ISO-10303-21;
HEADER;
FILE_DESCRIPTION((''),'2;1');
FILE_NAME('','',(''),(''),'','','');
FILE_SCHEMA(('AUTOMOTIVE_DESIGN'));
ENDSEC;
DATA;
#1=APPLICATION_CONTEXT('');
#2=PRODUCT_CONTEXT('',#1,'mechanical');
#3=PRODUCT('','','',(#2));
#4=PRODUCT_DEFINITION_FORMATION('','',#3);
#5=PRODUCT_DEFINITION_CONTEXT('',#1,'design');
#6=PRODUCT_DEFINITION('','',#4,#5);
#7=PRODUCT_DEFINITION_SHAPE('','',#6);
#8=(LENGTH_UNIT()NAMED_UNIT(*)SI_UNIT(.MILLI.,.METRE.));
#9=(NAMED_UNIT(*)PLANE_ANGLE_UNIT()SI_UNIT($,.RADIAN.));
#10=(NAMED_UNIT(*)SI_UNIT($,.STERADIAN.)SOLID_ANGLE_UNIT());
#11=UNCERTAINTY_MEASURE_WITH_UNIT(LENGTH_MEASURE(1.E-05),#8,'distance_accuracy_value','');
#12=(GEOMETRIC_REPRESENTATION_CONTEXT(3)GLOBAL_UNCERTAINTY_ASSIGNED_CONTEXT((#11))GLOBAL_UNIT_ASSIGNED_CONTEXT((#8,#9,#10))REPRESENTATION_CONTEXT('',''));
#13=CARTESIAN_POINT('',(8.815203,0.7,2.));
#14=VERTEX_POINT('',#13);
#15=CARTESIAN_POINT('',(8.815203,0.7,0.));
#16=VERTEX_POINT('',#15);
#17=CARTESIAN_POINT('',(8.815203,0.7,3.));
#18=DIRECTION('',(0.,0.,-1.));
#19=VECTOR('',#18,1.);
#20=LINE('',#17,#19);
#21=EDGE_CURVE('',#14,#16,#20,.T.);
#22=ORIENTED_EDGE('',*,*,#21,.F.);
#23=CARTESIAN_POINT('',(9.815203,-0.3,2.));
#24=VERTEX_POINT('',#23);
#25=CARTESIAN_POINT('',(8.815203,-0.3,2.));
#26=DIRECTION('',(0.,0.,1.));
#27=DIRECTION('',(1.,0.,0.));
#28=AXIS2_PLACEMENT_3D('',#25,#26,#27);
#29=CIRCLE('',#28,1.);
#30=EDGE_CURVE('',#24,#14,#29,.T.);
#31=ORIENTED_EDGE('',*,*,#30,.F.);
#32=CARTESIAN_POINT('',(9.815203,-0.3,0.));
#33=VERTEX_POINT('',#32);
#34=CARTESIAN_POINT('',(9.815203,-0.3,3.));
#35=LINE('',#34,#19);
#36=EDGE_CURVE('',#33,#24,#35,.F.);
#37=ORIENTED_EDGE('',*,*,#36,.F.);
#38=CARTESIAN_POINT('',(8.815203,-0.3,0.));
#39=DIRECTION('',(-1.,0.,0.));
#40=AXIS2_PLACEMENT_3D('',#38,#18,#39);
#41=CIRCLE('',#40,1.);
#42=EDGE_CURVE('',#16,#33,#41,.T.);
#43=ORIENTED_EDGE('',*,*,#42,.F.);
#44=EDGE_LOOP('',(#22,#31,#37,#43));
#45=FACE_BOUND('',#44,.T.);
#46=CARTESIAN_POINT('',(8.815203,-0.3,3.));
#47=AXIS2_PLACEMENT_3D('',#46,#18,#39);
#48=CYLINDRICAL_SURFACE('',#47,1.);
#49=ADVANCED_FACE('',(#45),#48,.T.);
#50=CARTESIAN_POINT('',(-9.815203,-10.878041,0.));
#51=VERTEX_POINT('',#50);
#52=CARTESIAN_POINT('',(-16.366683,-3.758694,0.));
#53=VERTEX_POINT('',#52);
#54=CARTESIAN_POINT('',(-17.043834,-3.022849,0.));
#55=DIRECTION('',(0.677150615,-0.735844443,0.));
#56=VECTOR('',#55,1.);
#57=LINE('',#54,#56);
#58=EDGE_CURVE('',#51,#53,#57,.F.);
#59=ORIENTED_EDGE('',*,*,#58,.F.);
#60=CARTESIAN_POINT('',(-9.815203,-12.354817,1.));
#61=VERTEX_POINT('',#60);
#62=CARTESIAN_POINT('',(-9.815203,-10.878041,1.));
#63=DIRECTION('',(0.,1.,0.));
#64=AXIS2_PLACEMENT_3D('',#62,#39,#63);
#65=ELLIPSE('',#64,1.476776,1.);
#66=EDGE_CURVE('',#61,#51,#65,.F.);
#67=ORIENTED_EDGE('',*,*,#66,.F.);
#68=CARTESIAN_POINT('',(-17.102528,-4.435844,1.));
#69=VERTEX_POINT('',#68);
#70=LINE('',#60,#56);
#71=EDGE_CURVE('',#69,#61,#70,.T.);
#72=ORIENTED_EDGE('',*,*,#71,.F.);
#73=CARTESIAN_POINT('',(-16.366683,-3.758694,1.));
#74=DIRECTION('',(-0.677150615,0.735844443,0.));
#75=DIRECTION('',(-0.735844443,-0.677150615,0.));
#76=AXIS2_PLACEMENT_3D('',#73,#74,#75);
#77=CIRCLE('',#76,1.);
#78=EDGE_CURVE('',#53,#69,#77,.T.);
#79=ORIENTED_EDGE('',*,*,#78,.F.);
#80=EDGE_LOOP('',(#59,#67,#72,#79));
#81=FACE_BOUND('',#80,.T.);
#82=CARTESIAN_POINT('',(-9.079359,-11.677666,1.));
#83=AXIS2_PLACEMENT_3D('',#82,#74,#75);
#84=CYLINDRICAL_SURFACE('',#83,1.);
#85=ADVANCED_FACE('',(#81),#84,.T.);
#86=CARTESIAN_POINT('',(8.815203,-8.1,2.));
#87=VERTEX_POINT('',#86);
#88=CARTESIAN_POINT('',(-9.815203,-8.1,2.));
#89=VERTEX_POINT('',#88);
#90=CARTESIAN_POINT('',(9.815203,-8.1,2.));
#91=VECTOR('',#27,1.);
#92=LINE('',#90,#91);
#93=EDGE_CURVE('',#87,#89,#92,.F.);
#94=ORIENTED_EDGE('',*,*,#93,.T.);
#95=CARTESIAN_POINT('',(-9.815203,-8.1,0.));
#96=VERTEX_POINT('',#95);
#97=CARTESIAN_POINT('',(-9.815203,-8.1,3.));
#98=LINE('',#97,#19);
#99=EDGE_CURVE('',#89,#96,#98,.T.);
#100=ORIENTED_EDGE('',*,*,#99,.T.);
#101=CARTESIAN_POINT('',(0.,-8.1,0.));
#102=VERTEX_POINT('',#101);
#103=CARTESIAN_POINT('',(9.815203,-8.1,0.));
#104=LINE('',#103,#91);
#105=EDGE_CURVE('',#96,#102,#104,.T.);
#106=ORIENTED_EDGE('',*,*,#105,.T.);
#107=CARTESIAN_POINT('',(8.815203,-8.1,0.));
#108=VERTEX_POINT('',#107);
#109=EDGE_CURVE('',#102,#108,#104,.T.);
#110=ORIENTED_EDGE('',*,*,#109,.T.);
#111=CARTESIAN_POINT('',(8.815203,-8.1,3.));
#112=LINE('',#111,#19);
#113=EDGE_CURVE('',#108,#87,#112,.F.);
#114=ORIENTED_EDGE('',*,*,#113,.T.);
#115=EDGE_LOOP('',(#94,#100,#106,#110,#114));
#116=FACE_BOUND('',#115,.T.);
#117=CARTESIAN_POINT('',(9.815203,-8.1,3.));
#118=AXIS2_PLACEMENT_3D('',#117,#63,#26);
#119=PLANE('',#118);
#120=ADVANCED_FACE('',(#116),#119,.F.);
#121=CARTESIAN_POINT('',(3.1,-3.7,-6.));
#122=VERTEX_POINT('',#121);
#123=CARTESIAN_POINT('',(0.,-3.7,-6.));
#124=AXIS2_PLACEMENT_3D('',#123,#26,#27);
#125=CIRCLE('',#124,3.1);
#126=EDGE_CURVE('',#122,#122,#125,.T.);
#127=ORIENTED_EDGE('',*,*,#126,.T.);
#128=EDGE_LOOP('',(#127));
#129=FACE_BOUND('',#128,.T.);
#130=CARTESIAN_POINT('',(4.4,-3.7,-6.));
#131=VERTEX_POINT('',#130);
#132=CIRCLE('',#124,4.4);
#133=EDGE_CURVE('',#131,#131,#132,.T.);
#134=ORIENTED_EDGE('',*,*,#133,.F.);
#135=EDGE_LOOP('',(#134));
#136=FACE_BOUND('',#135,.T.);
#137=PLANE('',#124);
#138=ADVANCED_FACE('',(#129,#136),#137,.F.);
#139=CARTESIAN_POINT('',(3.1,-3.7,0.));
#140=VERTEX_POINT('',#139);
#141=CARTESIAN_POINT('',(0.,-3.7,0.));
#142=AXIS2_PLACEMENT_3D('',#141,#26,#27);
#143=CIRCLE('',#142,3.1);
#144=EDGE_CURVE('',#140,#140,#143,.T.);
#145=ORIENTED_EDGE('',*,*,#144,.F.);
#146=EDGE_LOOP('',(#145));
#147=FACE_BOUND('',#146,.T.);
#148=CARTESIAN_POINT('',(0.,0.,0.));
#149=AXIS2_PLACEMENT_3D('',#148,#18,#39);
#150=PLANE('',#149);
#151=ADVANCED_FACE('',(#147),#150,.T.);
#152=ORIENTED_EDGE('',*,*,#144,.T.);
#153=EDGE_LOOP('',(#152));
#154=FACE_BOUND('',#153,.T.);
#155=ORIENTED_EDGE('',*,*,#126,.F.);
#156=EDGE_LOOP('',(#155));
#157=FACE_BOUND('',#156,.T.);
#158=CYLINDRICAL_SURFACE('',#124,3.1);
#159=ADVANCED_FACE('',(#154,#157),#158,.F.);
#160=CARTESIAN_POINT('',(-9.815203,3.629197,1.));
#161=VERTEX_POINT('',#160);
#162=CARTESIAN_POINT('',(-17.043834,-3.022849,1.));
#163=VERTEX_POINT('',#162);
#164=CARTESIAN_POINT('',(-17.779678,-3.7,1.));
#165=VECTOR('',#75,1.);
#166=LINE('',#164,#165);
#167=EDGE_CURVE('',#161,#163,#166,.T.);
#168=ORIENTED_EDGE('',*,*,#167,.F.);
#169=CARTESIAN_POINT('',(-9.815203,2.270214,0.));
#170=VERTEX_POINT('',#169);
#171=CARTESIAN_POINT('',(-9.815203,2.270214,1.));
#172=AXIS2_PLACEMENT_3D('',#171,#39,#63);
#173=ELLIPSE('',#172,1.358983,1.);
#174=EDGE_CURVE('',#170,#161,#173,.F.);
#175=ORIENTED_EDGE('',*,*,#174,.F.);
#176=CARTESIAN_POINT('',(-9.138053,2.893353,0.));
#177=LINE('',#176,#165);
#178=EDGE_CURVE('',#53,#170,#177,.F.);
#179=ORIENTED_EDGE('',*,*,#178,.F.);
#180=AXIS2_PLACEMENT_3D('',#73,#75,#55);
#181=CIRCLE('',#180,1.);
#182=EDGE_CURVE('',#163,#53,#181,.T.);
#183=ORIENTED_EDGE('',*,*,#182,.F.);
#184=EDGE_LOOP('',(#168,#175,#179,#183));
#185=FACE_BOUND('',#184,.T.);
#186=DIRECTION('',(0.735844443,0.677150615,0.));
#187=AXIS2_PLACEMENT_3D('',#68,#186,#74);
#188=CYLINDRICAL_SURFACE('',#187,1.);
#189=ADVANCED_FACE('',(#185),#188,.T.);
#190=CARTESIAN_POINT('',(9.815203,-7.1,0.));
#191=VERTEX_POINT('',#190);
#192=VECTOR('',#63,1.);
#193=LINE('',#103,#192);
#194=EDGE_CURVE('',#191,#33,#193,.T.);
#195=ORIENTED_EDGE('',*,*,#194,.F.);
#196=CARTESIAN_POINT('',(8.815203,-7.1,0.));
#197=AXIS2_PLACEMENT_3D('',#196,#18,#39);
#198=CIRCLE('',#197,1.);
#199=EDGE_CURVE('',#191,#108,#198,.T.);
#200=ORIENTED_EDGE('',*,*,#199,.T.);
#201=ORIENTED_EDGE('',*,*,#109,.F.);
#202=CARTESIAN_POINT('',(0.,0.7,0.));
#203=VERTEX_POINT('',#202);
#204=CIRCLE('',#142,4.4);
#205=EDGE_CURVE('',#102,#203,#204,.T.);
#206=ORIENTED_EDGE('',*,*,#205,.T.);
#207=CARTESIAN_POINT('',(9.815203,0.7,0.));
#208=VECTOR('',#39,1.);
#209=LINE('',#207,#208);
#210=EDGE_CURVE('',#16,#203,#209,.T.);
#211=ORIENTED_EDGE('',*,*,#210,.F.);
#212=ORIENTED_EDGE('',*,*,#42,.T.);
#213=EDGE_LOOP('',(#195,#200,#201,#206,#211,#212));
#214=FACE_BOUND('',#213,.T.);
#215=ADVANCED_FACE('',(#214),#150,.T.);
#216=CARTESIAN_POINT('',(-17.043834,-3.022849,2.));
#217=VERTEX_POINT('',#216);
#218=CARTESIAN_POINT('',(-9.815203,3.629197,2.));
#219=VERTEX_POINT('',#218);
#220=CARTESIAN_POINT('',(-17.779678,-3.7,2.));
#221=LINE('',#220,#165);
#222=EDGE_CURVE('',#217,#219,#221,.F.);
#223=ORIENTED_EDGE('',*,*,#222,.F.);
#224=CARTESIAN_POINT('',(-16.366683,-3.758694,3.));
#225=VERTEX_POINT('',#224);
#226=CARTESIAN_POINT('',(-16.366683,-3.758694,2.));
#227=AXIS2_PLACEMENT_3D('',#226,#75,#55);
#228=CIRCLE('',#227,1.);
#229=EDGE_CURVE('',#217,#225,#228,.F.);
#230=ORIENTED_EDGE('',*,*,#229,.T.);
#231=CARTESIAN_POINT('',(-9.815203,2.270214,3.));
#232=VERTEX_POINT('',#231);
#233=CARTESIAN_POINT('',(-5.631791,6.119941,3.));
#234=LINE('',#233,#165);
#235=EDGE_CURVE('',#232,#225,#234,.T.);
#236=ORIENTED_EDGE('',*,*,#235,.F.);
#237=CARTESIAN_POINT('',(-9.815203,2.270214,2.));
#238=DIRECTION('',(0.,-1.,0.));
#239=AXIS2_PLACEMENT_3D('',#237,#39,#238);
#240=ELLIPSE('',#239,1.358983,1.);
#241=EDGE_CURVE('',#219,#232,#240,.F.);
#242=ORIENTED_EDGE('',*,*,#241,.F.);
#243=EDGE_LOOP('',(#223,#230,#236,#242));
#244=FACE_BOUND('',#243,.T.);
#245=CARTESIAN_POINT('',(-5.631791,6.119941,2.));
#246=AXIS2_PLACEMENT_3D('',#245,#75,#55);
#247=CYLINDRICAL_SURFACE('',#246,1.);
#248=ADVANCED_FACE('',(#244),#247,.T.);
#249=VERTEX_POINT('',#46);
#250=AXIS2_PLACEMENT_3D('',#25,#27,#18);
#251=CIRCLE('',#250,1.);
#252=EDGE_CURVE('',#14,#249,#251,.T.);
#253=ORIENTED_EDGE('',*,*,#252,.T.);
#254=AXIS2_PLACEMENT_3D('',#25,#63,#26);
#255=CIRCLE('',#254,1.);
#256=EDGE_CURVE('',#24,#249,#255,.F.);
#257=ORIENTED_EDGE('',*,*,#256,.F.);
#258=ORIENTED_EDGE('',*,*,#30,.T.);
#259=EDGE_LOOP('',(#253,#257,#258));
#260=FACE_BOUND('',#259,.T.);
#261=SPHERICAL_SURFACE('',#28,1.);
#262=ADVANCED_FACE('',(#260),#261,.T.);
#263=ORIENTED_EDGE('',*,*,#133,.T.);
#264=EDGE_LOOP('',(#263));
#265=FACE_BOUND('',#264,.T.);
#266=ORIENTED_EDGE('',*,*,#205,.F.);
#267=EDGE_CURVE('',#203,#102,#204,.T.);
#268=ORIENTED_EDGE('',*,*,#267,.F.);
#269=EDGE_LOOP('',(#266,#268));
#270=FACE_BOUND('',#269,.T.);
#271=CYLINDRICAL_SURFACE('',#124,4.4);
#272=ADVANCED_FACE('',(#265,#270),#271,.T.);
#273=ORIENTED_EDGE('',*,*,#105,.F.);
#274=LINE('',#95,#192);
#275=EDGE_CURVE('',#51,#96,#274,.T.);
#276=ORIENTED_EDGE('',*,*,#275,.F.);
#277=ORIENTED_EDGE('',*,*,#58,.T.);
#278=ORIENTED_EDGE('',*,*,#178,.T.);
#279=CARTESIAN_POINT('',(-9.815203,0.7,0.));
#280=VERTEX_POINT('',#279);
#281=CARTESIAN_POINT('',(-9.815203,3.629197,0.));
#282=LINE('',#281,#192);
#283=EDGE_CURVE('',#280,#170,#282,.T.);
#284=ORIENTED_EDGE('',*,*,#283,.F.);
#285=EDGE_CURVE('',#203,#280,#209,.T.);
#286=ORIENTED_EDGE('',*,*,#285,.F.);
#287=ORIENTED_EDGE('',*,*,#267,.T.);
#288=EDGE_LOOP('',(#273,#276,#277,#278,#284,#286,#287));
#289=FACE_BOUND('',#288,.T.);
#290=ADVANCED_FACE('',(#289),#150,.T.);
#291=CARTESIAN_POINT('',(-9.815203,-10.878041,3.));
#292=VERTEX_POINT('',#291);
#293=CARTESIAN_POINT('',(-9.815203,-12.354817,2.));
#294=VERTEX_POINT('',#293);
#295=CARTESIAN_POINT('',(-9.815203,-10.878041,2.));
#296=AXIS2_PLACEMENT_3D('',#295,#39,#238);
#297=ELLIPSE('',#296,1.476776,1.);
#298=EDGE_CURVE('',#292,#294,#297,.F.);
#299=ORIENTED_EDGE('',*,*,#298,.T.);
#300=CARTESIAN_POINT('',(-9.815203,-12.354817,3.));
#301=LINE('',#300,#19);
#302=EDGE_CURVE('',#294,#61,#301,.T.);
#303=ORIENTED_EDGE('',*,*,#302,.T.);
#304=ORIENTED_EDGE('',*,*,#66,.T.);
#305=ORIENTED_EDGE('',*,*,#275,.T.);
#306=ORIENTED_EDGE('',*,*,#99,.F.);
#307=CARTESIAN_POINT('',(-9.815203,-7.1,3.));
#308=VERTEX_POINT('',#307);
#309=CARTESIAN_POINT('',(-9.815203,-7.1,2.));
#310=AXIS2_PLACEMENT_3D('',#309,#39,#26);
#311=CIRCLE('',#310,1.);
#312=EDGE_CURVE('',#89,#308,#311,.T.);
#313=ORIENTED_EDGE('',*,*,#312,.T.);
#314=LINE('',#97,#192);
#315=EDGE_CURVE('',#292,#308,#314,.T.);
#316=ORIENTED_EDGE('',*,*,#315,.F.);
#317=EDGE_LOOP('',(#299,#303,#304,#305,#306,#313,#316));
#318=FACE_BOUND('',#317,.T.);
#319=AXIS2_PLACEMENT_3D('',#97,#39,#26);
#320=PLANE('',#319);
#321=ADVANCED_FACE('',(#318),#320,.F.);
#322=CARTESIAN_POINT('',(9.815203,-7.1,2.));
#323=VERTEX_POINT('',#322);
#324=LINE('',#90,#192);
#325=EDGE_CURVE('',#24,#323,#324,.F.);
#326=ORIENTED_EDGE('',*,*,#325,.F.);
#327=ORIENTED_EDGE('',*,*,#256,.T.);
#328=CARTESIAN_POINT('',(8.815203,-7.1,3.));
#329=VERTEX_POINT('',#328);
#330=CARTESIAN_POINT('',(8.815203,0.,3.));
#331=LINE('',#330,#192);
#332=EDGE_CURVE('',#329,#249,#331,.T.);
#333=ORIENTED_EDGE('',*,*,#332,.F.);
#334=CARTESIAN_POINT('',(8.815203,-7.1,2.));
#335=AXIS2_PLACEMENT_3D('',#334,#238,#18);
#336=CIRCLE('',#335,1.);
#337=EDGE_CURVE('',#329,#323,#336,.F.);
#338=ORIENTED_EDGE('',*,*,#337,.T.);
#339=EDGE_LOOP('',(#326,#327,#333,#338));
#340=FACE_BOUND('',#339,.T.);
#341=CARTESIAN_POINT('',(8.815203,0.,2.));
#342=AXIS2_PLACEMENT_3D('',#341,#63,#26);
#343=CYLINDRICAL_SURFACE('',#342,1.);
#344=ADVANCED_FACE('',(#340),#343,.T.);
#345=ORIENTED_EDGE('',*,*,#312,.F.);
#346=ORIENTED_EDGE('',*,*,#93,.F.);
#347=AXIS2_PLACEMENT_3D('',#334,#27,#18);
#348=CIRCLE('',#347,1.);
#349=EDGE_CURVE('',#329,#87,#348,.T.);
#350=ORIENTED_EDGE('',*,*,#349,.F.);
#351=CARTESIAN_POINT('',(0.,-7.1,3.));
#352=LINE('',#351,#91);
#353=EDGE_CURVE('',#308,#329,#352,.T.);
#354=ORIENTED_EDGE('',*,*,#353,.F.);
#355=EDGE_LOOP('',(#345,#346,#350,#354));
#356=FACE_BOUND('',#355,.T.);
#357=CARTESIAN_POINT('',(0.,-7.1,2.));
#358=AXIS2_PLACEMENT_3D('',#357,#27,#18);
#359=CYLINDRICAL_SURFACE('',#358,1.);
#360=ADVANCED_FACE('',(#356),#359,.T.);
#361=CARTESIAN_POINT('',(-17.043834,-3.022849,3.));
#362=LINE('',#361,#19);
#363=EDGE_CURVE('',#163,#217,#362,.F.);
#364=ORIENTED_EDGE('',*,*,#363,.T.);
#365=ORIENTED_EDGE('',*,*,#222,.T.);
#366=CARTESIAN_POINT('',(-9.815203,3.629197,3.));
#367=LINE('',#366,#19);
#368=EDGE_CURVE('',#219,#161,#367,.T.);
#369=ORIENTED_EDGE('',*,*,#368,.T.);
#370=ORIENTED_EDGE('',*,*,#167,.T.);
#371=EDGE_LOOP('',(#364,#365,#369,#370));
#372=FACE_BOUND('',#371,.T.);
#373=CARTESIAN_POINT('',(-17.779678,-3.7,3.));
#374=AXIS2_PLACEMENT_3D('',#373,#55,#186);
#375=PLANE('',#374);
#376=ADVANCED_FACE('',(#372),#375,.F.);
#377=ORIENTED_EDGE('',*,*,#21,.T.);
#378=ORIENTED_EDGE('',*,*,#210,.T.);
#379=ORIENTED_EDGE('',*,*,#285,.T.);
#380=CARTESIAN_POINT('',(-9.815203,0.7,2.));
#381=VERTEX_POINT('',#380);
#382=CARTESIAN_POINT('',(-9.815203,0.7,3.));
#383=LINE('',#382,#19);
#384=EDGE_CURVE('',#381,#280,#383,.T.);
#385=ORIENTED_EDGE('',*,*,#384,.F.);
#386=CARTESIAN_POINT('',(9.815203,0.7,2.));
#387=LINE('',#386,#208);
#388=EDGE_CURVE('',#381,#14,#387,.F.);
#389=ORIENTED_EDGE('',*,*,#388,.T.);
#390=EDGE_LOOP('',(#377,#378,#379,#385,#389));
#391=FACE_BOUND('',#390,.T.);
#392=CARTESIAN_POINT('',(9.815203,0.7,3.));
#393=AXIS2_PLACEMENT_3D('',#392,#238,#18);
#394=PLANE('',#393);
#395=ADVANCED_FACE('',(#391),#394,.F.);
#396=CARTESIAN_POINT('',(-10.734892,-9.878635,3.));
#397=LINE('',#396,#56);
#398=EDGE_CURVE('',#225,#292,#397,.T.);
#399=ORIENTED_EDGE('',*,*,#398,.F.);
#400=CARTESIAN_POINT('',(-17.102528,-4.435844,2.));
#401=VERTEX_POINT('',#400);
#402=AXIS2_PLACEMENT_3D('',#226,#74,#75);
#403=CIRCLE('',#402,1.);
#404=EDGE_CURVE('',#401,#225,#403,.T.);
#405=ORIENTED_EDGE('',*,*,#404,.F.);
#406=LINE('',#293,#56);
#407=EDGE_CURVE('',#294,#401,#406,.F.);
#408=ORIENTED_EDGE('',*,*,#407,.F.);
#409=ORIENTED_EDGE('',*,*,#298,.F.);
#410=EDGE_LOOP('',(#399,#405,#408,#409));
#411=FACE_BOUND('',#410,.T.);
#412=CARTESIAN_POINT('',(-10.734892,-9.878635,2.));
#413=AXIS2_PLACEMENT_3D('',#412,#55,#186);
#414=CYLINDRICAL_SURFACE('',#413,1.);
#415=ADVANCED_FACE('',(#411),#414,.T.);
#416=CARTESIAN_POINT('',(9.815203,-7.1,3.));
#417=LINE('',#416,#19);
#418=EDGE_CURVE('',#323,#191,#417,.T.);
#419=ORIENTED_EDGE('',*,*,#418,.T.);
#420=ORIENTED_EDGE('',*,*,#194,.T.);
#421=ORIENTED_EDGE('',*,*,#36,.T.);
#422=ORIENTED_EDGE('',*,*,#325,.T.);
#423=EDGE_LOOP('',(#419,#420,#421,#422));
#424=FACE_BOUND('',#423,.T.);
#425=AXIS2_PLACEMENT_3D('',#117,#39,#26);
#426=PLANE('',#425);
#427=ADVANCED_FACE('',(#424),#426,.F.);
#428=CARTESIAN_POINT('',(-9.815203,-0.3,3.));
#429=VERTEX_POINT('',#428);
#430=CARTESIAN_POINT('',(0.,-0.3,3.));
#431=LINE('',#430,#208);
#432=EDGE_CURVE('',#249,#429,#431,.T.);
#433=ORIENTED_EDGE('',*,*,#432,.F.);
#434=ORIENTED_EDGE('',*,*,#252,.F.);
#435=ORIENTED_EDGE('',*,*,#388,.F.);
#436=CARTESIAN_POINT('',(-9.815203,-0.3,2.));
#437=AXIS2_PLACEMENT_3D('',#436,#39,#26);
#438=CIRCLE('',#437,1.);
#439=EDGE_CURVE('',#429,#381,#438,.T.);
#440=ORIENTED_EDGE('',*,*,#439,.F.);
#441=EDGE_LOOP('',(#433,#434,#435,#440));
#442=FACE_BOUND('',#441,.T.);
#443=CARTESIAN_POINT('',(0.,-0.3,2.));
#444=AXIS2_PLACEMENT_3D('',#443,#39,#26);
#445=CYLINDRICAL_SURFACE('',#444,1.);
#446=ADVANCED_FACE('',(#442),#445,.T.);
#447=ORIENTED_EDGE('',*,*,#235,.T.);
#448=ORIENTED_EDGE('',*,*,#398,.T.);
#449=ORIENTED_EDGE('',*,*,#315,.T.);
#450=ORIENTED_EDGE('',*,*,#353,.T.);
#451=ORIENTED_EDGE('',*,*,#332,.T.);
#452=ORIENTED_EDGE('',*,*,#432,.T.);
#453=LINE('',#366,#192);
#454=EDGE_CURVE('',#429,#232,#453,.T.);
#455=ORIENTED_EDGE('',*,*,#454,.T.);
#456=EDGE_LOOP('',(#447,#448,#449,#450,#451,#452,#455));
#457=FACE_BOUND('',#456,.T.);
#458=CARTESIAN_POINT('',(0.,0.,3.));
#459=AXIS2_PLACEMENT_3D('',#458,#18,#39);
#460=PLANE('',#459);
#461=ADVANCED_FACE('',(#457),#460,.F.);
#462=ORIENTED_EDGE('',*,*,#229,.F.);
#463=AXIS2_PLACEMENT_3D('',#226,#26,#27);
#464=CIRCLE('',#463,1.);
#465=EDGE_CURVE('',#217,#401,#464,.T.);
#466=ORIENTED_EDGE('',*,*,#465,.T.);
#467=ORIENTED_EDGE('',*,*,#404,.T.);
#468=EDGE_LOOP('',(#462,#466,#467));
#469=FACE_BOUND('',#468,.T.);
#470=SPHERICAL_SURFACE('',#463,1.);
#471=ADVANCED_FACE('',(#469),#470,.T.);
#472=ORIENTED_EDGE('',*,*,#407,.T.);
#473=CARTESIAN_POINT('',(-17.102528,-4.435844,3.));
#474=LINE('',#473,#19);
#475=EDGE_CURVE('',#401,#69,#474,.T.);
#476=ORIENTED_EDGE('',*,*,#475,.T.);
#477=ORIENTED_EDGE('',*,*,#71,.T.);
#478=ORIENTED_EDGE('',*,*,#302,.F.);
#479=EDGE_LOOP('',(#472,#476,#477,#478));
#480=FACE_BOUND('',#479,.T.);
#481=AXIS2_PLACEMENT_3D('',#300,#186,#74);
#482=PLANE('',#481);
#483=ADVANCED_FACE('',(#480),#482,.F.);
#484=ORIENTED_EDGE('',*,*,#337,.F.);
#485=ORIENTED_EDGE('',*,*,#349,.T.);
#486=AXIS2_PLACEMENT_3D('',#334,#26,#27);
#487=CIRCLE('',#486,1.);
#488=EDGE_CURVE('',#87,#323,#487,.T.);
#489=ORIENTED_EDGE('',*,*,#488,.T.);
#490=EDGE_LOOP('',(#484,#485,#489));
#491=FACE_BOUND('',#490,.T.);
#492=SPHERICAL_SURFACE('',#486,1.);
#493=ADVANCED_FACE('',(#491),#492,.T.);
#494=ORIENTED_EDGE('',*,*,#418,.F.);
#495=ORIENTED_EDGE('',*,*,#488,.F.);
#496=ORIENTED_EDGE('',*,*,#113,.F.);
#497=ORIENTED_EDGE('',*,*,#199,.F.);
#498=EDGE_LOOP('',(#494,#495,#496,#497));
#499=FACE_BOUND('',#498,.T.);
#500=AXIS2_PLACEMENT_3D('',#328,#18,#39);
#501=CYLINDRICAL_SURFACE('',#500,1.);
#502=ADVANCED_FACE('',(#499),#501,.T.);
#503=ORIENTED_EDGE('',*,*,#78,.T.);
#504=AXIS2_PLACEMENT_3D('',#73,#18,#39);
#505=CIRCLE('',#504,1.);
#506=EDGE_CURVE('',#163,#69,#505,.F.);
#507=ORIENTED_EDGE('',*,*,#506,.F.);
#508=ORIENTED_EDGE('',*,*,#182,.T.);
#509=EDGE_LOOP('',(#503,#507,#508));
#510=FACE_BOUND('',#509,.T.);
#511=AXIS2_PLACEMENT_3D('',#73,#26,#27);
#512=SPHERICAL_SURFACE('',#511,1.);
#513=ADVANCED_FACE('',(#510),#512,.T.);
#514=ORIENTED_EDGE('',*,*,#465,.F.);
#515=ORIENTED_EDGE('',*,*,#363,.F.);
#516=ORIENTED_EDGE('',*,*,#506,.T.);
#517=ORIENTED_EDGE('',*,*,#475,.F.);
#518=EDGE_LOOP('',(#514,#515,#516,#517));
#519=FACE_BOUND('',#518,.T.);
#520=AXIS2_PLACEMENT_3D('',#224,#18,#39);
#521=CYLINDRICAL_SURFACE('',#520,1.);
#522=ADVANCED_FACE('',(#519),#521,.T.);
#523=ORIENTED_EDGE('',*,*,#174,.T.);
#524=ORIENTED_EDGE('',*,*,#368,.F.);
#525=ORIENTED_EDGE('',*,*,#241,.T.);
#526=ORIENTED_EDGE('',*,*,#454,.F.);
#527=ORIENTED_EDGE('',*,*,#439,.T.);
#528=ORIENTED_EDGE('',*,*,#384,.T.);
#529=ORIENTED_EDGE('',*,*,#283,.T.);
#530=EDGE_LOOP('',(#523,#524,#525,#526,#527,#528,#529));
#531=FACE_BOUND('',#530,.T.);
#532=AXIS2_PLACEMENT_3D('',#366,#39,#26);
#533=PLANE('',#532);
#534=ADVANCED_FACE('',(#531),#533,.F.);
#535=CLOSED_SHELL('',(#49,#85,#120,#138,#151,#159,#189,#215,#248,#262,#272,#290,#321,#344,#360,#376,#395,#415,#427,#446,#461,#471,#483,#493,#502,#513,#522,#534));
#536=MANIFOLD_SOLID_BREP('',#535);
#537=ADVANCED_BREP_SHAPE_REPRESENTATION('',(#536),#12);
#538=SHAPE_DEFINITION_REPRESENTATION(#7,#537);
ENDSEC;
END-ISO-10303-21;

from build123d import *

# Parameters (mm, degrees)
SKETCH1_R           = 4.4
SKETCH1_R_2         = 3.1
BOSS_EXTRUDE1_DEPTH = 6
BOSS_EXTRUDE2_DEPTH = 3
FILLET1_R           = 1


with BuildPart() as part:
    # Sketch1 → Boss-Extrude1 (new body)
    with BuildSketch(Plane.XY):
        with Locations((0, -3.7)):
            Circle(SKETCH1_R)
        with Locations((0, -3.7)):
            Circle(SKETCH1_R_2, mode=Mode.SUBTRACT)
    extrude(amount=-BOSS_EXTRUDE1_DEPTH)

    # Sketch2 → Boss-Extrude2 (add)
    with BuildSketch(Plane.XY):
        Polygon((9.815203288, -8.1), (9.815203288, 0.7), (-9.815203288, 0.7), (-9.815203288, 3.629197365), (-17.779678307, -3.7), (-9.815203288, -12.354817051), (-9.815203288, -8.1), align=None)
    extrude(amount=BOSS_EXTRUDE2_DEPTH)

    # Fillet1
    fillet1_edges = [part.edges().sort_by_distance(p)[0] for p in [
        (-13.797440798, -8.027408526, 0),
        (-17.779678307, -3.7, 1.5),
        (9.815203288, -8.1, 1.5),
        (9.815203288, 0.7, 1.5),
        (-13.797440798, -0.035401317, 0),
        (-13.797440798, -8.027408526, 3),
        (0, -8.1, 3),
        (9.815203288, -3.7, 3),
        (0, 0.7, 3),
        (-13.797440798, -0.035401317, 3),
    ]]
    fillet(fillet1_edges, radius=FILLET1_R)


solid = part.part
